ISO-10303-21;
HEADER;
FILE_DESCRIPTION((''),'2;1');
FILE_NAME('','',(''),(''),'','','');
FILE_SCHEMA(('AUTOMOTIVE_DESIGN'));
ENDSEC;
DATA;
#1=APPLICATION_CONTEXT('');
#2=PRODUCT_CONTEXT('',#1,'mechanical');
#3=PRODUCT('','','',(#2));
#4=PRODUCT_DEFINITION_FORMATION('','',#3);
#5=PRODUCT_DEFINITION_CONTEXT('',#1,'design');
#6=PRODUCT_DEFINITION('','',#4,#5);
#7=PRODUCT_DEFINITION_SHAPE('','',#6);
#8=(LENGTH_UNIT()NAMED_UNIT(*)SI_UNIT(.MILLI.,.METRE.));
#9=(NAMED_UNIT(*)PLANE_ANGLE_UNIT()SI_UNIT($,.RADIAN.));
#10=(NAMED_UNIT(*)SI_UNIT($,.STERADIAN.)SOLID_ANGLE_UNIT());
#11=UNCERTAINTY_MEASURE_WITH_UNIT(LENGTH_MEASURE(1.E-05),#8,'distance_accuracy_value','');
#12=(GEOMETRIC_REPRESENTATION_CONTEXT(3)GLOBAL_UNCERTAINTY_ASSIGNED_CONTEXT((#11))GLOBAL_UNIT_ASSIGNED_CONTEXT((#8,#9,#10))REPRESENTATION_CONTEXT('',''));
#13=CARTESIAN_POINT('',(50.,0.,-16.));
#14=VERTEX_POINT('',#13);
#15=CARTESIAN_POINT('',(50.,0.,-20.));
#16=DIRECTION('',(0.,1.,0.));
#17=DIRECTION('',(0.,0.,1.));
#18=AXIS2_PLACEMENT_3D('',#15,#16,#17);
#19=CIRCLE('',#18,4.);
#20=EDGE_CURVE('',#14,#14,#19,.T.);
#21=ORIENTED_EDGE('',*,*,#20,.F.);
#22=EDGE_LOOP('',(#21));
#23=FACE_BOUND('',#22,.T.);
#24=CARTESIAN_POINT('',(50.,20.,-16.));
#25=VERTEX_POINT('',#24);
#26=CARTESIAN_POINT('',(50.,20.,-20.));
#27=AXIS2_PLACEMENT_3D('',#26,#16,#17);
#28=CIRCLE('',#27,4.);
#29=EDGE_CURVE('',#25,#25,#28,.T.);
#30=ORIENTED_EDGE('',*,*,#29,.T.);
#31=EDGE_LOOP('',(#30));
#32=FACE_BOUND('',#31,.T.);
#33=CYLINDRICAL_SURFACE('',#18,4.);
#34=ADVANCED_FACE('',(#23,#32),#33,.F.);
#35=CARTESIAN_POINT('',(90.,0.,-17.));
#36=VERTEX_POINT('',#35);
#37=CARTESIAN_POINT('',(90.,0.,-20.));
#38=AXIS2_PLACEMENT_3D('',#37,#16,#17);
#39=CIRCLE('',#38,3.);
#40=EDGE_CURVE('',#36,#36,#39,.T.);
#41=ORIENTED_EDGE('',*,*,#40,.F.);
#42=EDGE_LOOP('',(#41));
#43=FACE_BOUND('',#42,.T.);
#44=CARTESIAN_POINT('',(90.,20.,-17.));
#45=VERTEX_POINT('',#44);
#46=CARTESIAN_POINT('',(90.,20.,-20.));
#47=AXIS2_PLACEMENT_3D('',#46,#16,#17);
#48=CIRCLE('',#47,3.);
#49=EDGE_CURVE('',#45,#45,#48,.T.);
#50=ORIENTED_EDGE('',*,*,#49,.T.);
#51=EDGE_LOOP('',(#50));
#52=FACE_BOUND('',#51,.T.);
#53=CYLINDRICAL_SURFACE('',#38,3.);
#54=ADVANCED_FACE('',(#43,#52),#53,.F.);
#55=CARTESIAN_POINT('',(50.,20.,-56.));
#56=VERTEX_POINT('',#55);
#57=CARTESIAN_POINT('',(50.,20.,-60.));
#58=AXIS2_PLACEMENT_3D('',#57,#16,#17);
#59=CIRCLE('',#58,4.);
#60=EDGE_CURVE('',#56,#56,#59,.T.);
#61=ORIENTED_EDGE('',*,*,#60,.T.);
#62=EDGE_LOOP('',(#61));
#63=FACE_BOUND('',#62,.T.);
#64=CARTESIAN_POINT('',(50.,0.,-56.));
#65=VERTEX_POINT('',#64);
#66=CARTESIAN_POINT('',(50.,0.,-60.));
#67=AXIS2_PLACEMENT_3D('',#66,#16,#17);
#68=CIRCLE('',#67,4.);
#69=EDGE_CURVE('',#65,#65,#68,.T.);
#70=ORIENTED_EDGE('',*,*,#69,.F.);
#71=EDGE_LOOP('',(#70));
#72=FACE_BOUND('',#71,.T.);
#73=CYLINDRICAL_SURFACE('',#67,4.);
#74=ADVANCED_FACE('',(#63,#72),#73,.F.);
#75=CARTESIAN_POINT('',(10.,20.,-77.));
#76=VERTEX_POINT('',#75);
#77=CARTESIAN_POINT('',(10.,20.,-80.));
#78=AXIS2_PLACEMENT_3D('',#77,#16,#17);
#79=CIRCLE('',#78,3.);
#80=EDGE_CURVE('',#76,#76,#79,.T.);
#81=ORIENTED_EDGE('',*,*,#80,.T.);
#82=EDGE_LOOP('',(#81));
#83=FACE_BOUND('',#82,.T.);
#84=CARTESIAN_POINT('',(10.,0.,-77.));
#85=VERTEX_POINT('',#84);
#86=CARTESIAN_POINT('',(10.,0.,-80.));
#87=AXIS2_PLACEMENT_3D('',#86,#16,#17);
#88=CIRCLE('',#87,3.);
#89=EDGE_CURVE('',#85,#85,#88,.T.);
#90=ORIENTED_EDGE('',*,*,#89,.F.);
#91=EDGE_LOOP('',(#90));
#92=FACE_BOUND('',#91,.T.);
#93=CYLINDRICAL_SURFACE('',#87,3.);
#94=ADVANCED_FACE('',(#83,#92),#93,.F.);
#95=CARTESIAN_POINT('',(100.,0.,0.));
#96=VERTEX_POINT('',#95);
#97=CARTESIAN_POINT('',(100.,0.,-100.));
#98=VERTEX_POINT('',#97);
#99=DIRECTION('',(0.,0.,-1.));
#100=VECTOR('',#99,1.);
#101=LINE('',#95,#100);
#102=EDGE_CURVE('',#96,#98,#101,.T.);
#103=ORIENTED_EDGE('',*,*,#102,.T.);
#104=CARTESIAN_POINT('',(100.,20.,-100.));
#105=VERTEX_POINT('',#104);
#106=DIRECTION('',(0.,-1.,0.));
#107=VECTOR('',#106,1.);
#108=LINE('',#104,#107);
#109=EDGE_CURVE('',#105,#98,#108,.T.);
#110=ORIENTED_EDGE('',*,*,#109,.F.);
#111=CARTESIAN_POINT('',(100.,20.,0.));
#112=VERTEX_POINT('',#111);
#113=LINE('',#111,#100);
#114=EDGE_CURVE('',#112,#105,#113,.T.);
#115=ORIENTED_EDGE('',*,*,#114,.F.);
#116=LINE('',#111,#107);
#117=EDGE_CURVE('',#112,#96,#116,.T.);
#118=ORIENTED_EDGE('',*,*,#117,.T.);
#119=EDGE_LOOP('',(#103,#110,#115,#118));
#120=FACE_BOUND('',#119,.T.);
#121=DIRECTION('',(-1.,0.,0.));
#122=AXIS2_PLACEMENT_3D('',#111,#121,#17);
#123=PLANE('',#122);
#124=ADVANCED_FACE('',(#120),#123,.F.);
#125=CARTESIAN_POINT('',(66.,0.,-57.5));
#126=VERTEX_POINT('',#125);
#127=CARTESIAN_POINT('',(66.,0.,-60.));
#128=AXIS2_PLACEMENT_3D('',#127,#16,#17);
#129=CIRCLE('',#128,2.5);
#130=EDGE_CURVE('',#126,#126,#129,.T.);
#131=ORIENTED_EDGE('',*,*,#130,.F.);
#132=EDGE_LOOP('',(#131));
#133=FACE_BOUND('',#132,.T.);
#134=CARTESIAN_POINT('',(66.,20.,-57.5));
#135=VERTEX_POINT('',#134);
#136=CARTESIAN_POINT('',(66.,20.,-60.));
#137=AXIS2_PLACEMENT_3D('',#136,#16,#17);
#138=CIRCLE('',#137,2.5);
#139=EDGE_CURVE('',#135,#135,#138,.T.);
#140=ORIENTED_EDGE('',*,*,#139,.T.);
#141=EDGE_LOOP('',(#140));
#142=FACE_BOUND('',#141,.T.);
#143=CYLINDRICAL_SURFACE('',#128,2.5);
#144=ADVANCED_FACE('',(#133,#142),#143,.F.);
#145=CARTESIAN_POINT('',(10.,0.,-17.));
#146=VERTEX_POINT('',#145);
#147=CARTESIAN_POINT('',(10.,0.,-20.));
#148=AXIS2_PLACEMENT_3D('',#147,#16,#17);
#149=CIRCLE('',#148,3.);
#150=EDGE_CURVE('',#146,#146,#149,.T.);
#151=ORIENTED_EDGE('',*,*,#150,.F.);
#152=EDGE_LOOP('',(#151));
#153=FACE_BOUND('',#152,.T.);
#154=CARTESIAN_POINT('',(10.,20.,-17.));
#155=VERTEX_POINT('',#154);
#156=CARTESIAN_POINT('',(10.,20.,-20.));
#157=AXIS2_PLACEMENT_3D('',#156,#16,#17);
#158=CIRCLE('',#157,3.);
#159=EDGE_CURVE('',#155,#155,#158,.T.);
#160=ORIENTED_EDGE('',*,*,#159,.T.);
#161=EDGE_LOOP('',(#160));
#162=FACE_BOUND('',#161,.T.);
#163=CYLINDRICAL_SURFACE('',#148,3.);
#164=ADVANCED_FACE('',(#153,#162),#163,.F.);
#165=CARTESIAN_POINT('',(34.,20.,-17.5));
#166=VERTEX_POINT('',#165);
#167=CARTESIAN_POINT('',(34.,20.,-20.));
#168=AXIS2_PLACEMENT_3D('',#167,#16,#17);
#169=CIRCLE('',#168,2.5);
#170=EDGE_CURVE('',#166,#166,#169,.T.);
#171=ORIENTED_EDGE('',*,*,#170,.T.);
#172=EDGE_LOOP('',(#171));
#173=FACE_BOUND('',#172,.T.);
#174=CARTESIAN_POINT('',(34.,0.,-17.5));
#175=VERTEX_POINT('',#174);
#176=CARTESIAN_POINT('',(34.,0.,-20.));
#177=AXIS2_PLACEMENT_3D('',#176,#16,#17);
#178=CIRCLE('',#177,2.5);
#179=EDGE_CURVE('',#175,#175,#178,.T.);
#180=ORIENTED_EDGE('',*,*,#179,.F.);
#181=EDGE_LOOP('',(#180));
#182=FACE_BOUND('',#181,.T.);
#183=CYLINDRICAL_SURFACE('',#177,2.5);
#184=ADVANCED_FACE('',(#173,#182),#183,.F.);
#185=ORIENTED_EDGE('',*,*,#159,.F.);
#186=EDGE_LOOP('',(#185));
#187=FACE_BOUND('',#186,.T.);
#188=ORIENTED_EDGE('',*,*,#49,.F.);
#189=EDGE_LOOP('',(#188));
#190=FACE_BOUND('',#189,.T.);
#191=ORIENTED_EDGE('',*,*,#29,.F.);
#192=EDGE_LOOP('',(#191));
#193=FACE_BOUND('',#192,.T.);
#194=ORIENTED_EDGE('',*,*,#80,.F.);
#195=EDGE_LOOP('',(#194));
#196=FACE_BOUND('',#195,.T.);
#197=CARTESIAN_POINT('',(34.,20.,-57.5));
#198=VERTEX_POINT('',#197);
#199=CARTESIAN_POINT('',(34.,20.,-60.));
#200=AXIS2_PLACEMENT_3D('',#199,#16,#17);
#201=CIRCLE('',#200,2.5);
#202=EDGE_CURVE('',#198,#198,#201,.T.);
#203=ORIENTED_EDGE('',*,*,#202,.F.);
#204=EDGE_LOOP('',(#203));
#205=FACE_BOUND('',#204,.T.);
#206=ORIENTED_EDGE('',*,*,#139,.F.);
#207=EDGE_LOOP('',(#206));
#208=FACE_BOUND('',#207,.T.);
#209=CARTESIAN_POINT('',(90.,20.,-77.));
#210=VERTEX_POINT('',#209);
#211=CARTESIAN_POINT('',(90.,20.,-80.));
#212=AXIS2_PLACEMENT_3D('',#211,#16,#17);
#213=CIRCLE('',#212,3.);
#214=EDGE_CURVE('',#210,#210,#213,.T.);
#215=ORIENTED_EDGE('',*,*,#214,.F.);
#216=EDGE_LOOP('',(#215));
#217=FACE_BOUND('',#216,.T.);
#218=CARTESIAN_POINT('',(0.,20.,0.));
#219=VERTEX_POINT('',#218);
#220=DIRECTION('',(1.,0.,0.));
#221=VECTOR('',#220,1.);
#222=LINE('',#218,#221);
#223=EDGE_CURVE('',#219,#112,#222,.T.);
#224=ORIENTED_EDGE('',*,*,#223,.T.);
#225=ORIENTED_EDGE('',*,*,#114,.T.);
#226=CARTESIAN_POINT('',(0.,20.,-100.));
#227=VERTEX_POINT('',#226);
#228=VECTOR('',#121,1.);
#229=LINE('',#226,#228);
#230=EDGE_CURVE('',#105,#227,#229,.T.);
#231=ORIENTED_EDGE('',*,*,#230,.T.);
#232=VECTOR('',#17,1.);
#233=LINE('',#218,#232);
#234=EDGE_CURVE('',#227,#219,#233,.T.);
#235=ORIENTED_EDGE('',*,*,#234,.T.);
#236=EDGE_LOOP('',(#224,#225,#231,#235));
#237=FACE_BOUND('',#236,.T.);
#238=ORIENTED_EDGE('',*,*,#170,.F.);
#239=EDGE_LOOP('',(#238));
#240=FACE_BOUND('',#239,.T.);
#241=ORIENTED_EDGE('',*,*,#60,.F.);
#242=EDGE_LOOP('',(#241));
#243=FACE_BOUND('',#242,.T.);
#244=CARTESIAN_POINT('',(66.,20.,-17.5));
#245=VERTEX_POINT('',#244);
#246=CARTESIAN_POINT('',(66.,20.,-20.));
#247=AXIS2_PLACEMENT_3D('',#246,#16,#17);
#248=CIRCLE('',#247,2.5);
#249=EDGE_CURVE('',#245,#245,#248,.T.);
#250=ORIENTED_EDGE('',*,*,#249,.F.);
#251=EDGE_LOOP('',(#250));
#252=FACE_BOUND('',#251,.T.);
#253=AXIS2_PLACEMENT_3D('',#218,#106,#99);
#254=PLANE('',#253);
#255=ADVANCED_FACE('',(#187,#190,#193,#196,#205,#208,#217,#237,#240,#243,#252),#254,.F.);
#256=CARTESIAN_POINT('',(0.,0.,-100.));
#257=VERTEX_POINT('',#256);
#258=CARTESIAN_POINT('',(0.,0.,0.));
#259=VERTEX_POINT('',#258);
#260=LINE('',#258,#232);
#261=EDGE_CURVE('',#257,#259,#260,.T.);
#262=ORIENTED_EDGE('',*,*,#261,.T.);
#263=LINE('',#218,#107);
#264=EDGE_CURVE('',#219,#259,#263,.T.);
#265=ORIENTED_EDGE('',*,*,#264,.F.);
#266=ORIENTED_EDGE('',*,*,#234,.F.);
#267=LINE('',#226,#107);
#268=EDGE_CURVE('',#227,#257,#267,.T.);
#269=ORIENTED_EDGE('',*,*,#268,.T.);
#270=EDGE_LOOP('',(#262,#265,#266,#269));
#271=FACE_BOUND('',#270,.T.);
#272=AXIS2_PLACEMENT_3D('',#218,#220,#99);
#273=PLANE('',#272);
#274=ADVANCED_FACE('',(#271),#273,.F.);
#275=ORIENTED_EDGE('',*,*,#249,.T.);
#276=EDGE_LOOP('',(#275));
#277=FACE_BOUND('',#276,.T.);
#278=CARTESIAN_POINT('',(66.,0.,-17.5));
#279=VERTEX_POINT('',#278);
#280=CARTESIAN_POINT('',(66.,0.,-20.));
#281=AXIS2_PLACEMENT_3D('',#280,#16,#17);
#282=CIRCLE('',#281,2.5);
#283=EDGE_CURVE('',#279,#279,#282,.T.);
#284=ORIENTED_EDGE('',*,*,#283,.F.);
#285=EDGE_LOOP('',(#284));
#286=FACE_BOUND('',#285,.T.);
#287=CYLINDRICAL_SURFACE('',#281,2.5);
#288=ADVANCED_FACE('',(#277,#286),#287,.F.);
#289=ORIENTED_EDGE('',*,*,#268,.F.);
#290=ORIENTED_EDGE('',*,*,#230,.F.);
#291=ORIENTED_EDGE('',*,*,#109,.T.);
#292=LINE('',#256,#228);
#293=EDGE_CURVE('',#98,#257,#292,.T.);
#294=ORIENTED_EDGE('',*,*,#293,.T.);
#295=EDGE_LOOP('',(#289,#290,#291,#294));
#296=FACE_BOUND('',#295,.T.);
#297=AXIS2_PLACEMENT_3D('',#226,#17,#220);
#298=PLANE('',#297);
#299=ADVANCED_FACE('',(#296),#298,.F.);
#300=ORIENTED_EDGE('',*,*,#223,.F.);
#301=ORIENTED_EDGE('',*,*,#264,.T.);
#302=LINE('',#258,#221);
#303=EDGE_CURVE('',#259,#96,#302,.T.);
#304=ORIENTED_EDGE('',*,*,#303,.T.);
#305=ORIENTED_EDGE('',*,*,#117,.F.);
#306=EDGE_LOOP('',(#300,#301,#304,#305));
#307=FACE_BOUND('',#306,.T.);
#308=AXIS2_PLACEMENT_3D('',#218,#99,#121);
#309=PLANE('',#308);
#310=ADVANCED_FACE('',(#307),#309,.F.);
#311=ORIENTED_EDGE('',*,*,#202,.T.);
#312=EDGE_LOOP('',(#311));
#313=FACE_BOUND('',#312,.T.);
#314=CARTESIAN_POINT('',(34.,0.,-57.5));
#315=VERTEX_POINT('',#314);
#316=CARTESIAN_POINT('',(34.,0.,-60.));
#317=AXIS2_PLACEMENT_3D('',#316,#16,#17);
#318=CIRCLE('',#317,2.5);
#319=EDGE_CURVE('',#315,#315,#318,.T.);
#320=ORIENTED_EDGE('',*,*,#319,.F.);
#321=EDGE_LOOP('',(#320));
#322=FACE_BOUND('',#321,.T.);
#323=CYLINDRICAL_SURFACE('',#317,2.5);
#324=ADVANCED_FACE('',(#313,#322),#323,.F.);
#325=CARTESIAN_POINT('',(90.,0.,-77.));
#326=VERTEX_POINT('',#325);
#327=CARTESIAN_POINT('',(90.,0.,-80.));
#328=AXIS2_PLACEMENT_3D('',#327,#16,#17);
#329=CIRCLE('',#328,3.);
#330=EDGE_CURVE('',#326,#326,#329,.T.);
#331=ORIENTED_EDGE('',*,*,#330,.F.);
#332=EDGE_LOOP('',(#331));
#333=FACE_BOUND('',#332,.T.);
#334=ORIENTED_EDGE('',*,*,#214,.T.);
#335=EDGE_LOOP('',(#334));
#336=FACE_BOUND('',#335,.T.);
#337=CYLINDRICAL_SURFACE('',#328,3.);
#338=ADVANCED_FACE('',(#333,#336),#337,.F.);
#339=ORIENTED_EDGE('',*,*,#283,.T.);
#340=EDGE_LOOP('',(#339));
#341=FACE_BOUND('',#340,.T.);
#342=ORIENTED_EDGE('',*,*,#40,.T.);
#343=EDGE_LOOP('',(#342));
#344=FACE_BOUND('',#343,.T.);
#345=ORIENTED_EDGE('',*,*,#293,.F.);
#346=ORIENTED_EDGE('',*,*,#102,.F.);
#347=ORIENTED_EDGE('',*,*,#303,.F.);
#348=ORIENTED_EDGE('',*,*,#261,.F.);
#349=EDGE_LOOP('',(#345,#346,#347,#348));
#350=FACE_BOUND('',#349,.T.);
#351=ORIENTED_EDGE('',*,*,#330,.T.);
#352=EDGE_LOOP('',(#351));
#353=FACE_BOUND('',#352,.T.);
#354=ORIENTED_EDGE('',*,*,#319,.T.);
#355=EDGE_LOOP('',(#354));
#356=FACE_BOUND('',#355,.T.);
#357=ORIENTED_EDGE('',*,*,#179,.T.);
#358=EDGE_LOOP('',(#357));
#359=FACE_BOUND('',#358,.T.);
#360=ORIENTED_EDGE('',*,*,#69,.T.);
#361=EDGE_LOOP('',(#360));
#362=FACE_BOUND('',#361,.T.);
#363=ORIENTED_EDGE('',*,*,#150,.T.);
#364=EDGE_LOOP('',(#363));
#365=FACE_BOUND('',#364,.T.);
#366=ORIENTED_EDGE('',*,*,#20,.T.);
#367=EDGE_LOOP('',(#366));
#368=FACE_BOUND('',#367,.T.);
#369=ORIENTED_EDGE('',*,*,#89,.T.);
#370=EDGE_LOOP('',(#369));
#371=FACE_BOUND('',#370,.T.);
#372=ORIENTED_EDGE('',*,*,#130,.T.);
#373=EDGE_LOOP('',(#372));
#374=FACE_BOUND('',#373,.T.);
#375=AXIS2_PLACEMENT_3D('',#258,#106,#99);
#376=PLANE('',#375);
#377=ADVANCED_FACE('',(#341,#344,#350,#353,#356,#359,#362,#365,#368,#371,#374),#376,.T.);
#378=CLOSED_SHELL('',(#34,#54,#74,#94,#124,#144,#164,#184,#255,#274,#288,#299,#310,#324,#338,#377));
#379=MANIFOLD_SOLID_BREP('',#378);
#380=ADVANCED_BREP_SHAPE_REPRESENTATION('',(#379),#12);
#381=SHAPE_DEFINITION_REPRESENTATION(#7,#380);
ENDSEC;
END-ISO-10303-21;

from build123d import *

# Parameters (mm, degrees)
SKETCH_1_W          = 100
SKETCH_1_H          = 100
EXTRUDE_1_DEPTH     = 20
SKETCH_2_R          = 3
SKETCH_2_R_2        = 2.5
SKETCH_2_R_3        = 4
CUT_EXTRUDE_1_DEPTH = 20


with BuildPart() as part:
    # Эскиз1 → Бобышка-Вытянуть1 (new body)
    with BuildSketch(Plane(origin=(0, 0, 0), x_dir=(1, 0, 0), z_dir=(0, 1, 0))):
        with Locations((50, 50)):
            Rectangle(SKETCH_1_W, SKETCH_1_H)
    extrude(amount=EXTRUDE_1_DEPTH)

    # Эскиз2 → Вырез-Вытянуть1 (cut)
    with BuildSketch(Plane(origin=(0, 20, 0), x_dir=(1, 0, 0), z_dir=(0, 1, 0))):
        with Locations(Location((10, 80, 0), (0, 0, 270))):
            Circle(SKETCH_2_R)
        with Locations(Location((90, 80, 0), (0, 0, 270))):
            Circle(SKETCH_2_R)
        with Locations(Location((34, 60, 0), (0, 0, 270))):
            Circle(SKETCH_2_R_2)
        with Locations(Location((50, 20, 0), (0, 0, 270))):
            Circle(SKETCH_2_R_3)
        with Locations(Location((66, 60, 0), (0, 0, 270))):
            Circle(SKETCH_2_R_2)
        with Locations(Location((10, 20, 0), (0, 0, 270))):
            Circle(SKETCH_2_R)
        with Locations(Location((50, 60, 0), (0, 0, 270))):
            Circle(SKETCH_2_R_3)
        with Locations(Location((90, 20, 0), (0, 0, 270))):
            Circle(SKETCH_2_R)
        with Locations(Location((34, 20, 0), (0, 0, 270))):
            Circle(SKETCH_2_R_2)
        with Locations(Location((66, 20, 0), (0, 0, 270))):
            Circle(SKETCH_2_R_2)
    extrude(amount=-CUT_EXTRUDE_1_DEPTH, mode=Mode.SUBTRACT)


solid = part.part
